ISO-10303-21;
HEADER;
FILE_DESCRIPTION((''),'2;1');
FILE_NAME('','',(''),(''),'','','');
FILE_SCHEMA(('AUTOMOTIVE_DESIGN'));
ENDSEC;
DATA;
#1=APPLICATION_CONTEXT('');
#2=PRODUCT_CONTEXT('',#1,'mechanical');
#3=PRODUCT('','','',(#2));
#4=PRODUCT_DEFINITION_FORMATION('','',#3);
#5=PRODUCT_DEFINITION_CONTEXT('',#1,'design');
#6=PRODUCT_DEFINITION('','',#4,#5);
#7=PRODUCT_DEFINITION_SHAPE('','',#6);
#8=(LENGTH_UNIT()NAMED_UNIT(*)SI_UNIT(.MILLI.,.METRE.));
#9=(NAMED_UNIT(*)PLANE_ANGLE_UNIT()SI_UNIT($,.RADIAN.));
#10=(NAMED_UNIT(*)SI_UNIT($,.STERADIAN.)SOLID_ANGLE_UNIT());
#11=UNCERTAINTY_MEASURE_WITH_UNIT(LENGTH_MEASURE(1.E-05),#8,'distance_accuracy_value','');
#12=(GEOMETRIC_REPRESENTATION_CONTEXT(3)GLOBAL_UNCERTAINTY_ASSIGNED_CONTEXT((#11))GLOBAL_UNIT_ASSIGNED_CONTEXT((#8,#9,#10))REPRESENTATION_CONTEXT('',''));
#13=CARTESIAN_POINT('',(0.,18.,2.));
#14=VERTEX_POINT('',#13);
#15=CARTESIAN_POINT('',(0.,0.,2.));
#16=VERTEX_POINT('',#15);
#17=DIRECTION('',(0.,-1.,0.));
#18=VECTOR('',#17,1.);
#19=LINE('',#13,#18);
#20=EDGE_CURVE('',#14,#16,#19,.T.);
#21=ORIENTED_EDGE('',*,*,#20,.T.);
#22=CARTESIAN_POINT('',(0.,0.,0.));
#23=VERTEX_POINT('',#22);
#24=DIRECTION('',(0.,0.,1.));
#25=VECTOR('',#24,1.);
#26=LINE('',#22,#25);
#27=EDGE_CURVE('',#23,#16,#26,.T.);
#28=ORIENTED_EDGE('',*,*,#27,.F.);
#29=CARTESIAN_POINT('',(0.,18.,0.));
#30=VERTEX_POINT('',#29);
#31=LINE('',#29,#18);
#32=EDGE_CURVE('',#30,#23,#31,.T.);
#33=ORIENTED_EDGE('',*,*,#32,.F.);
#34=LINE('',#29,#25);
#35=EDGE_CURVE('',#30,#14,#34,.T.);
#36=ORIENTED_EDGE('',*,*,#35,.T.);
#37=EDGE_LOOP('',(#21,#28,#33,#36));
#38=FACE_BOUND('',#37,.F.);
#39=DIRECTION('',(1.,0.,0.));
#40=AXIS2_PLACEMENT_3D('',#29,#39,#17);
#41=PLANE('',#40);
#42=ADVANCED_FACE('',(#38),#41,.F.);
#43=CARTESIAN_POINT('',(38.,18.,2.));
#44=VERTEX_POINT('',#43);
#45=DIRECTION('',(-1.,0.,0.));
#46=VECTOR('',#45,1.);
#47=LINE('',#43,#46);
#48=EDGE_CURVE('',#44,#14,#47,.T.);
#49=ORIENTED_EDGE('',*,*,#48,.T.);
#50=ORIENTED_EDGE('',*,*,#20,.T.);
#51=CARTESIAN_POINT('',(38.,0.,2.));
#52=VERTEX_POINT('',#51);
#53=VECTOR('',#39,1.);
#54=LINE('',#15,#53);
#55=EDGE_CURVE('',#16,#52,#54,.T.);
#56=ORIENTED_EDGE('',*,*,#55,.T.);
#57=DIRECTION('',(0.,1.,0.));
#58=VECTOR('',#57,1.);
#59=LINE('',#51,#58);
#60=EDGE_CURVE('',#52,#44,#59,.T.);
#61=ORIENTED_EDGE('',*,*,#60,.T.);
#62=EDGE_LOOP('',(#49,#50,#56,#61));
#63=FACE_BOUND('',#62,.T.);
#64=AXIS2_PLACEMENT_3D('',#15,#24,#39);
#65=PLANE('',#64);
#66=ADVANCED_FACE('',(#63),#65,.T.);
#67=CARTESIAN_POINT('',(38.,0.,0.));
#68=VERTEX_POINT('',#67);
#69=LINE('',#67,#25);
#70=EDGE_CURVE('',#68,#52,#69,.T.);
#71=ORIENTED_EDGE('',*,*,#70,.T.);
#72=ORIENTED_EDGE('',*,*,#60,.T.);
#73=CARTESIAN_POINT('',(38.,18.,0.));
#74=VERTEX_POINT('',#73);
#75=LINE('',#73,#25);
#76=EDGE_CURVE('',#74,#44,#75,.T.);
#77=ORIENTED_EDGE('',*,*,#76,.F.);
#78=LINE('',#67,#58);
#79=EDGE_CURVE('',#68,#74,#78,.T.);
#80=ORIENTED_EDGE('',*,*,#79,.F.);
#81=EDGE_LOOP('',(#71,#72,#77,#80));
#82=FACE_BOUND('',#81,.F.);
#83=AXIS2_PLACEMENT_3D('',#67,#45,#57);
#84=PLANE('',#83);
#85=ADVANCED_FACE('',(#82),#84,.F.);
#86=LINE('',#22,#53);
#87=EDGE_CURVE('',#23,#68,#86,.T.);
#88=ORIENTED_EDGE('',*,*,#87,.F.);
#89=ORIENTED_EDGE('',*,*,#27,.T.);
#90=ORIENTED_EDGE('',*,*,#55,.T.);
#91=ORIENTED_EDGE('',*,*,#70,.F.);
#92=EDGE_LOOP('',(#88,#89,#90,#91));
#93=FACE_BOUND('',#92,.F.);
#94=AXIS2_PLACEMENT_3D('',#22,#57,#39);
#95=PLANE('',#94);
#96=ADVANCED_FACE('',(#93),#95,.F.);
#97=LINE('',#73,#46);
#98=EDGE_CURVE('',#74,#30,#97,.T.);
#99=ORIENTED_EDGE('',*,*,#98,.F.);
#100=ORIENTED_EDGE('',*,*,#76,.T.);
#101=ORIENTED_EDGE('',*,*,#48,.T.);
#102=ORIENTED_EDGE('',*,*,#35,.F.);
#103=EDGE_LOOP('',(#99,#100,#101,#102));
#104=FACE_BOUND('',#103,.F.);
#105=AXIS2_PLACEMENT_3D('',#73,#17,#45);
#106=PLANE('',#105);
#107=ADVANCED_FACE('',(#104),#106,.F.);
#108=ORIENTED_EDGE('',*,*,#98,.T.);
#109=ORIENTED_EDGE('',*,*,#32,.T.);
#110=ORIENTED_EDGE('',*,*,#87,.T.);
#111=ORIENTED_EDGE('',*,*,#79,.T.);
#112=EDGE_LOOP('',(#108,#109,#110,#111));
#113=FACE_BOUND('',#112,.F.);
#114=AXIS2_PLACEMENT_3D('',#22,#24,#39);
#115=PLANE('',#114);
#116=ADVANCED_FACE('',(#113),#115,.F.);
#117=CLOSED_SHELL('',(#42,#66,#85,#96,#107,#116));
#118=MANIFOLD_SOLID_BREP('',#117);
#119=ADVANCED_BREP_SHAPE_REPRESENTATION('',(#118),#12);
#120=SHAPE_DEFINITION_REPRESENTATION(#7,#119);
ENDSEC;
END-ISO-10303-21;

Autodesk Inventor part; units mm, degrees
ref_plane "YZ Plane" through (0, 0, 0) normal (1, 0, 0) x (0, 1, 0)
ref_plane "XZ Plane" through (0, 0, 0) normal (0, 1, 0) x (-1, 0, 0)
ref_plane "XY Plane" through (0, 0, 0) normal (0, 0, 1) x (1, 0, 0)
sketch "スケッチ1" plane through (0, 0, 0) normal (0, 0, 1) x (1, 0, 0)
  line L0 (0, 0) -> (38, 0)
  line L1 (38, 0) -> (38, 18)
  line L2 (38, 18) -> (0, 18)
  line L3 (0, 18) -> (0, 0)
  dimension "d0" = 38
  dimension "d1" = 18
extrude "押し出し1" add sketch "スケッチ1" along normal blind 2
properties part number "motor driver" material "アセタール樹脂、黒"
